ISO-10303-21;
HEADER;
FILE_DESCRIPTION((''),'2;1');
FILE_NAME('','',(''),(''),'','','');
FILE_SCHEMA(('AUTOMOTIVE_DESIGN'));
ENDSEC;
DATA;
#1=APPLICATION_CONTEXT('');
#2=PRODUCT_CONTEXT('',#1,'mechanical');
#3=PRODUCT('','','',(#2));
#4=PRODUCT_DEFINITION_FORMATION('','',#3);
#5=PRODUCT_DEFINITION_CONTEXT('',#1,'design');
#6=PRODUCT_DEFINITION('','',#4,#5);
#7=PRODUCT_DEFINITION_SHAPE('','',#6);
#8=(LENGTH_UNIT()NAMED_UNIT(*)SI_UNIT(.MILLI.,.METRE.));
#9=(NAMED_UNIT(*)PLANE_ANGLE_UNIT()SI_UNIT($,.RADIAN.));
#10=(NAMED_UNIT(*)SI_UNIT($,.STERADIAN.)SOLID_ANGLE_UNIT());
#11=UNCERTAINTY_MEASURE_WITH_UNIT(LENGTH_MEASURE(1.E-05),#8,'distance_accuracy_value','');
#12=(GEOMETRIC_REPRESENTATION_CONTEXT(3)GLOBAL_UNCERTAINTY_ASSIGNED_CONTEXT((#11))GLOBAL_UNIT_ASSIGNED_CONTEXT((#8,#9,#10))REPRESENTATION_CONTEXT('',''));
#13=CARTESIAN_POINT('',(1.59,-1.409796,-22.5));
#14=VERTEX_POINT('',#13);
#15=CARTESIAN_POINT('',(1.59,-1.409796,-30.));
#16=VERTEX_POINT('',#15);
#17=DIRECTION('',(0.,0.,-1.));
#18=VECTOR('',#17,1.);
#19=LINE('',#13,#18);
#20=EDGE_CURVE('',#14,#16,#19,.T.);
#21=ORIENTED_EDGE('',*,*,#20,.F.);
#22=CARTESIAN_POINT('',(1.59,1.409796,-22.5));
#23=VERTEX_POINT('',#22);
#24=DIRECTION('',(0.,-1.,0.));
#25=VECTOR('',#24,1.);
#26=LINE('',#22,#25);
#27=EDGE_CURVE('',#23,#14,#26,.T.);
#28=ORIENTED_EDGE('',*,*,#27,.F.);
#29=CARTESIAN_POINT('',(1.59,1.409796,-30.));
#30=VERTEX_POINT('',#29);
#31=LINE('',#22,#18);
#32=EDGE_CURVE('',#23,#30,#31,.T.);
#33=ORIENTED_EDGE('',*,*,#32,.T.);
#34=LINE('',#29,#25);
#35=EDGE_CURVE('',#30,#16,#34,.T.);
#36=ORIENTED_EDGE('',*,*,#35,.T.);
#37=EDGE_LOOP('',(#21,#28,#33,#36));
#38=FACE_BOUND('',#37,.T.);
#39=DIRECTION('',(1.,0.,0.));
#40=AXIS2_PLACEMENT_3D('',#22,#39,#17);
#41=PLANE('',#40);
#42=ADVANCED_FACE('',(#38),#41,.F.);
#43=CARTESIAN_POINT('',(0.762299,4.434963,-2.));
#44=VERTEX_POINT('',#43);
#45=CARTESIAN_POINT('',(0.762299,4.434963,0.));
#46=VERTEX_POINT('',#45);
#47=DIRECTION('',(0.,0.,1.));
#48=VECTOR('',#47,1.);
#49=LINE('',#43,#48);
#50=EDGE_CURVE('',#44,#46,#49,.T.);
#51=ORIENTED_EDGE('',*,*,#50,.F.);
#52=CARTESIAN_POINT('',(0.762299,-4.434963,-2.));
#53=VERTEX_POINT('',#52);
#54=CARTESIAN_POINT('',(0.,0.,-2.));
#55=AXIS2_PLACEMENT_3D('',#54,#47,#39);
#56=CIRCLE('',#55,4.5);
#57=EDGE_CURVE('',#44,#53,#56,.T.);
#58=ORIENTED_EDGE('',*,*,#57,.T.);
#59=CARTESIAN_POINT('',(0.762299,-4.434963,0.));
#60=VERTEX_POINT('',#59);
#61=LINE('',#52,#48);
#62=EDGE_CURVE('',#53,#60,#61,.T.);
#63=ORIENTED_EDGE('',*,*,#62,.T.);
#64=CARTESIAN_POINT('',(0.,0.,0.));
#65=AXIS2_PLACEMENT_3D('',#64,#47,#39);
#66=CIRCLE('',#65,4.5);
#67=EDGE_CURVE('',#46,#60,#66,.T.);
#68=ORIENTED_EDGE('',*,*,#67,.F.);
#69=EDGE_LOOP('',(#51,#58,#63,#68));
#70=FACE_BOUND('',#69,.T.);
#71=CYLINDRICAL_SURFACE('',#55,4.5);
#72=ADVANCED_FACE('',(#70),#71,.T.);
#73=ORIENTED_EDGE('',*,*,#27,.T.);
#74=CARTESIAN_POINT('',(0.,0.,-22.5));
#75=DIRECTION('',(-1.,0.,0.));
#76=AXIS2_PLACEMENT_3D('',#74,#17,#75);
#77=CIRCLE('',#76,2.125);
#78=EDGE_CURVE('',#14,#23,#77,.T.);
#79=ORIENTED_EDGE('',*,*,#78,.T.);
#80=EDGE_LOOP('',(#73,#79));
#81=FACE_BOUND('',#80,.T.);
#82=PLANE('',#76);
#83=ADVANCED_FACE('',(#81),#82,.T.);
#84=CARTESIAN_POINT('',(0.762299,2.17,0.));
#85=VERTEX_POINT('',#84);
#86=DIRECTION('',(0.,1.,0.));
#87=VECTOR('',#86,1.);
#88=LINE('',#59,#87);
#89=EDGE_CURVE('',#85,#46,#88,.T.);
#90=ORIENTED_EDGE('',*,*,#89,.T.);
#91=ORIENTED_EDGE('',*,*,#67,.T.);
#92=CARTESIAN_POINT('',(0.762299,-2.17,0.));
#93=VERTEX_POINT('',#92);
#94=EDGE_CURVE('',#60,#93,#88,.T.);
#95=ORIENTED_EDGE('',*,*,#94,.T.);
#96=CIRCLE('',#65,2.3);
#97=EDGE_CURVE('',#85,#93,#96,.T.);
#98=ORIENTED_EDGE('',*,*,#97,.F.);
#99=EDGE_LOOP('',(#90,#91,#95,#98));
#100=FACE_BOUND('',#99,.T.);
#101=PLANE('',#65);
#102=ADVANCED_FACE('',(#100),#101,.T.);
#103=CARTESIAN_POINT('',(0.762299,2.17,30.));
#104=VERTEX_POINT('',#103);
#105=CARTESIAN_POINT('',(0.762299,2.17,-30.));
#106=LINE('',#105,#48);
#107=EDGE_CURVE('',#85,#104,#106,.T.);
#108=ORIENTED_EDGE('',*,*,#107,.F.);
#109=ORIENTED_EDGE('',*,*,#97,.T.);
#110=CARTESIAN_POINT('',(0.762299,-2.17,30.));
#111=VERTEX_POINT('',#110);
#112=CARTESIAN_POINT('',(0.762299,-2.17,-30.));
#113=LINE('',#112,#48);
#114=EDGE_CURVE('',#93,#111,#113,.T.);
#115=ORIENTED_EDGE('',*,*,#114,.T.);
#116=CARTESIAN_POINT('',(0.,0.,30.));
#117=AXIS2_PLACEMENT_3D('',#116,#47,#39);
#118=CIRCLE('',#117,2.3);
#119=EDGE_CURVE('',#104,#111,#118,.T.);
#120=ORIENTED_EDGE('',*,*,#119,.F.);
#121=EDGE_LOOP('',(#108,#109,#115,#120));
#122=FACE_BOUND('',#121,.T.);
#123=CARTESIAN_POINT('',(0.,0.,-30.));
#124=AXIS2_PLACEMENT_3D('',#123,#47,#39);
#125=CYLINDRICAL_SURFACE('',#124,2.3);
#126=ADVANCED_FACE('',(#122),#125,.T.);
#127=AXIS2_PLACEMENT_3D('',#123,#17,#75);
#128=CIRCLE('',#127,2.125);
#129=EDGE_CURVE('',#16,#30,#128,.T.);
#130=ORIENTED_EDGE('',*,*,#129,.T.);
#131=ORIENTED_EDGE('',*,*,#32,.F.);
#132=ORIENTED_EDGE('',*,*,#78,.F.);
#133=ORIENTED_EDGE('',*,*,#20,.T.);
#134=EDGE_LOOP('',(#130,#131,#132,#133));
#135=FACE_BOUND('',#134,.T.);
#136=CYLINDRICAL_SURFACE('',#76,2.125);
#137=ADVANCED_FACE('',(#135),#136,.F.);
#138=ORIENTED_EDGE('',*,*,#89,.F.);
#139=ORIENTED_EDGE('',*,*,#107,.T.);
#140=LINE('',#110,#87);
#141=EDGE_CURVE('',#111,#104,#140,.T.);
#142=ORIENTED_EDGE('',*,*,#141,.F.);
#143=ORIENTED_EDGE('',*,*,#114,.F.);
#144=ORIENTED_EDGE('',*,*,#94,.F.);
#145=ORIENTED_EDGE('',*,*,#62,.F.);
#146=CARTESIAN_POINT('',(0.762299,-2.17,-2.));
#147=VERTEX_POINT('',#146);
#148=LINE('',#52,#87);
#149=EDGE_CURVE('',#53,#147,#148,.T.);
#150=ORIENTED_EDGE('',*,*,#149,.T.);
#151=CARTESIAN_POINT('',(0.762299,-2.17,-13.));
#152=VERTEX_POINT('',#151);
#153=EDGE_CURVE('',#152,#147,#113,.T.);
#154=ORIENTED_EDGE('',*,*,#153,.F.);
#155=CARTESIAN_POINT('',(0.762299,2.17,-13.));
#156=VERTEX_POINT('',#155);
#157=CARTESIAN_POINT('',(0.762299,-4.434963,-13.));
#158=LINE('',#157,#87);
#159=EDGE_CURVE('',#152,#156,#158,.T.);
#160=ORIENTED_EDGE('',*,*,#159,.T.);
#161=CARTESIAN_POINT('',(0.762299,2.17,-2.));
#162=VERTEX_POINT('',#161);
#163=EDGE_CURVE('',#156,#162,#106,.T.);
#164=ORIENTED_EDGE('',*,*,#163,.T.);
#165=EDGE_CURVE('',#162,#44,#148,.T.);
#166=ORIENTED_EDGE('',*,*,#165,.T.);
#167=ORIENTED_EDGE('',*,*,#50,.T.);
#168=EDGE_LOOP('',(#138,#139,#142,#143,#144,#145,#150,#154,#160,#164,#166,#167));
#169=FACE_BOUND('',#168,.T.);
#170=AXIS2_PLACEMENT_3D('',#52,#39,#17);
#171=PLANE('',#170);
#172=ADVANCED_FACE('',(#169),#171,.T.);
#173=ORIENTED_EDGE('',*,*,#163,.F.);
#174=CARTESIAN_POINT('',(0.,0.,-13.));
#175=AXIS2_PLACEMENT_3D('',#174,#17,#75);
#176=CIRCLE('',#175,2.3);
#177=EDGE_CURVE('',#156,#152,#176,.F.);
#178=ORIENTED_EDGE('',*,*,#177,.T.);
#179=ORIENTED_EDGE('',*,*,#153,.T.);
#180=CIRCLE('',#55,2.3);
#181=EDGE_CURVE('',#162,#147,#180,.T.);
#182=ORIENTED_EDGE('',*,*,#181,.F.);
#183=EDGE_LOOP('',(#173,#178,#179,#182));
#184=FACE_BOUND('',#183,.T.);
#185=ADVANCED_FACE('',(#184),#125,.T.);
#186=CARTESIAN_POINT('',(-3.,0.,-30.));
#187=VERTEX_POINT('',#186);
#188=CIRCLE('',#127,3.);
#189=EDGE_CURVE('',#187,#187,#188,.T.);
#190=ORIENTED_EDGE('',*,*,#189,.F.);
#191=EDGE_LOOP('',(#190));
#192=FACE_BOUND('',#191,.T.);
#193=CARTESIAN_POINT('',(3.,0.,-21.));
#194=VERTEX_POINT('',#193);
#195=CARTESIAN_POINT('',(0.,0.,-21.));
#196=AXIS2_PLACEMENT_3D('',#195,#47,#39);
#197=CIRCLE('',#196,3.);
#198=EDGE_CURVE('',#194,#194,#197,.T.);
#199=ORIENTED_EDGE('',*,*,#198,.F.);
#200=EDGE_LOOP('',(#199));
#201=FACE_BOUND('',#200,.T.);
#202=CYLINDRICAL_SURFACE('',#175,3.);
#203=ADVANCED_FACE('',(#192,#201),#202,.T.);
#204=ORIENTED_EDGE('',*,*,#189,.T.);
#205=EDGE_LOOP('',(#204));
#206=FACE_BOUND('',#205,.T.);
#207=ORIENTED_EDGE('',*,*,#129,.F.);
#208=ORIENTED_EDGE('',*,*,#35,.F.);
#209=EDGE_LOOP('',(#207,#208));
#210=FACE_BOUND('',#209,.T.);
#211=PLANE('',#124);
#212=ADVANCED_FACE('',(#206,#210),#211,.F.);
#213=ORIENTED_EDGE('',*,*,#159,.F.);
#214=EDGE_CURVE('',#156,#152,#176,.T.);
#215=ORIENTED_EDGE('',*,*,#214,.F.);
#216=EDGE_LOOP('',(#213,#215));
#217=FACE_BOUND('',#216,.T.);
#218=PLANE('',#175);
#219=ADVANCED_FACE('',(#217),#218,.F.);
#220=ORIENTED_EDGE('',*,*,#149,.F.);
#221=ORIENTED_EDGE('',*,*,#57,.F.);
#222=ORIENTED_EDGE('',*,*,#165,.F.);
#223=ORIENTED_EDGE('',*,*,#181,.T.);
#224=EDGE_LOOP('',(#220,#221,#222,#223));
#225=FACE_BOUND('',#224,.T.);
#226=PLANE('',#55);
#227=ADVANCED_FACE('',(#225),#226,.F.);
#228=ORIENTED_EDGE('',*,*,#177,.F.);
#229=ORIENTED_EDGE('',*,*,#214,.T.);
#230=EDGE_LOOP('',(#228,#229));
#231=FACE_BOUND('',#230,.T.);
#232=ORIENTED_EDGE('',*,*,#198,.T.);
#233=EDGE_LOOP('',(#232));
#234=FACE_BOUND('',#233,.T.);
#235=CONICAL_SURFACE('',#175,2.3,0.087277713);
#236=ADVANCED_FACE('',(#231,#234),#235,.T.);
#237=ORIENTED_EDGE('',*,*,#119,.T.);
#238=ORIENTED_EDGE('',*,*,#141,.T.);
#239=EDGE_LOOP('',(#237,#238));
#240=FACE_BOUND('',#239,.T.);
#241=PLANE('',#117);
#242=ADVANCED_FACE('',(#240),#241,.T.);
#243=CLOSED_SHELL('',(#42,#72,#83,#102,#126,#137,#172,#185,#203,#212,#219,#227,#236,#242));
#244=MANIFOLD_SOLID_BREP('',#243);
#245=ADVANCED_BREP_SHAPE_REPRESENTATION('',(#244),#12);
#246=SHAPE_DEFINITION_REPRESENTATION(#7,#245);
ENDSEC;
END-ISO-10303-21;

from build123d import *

# Parameters (mm, degrees)
BOSS_EXTRUDE2_DEPTH      = 2
BOSS_EXTRUDE3_DEPTH      = 30
BOSS_EXTRUDE3_DEPTH_BACK = 30
SKETCH3_R                = 3
BOSS_EXTRUDE4_DEPTH      = 17
CUT_EXTRUDE1_DEPTH       = 7.5


with BuildPart() as part:
    # Sketch2 → Boss-Extrude2 (new body)
    with BuildSketch(Plane.XY):
        with BuildLine():
            Line((0.762299154, -4.434963359), (0.762299154, 4.434963359))
            ThreePointArc((0.762299154, 4.434963359), (-4.5, 0), (0.762299154, -4.434963359))
        make_face()
    extrude(amount=-BOSS_EXTRUDE2_DEPTH)

    # Sketch1 → Boss-Extrude3 (add, two sides)
    with BuildSketch(Plane.XY) as boss_extrude3_sk:
        with BuildLine():
            Line((0.762299154, -2.17), (0.762299154, 2.17))
            ThreePointArc((0.762299154, 2.17), (-2.3, 0), (0.762299154, -2.17))
        make_face()
    extrude(amount=BOSS_EXTRUDE3_DEPTH)
    extrude(boss_extrude3_sk.sketch, amount=-BOSS_EXTRUDE3_DEPTH_BACK)

    # Sketch3 → Boss-Extrude4 (add)
    with BuildSketch(Plane(origin=(0, 0, -30), x_dir=(-1, 0, 0), z_dir=(0, 0, -1))):
        Circle(SKETCH3_R)
    extrude(amount=-BOSS_EXTRUDE4_DEPTH)

    # Sketch4 → Cut-Extrude1 (cut)
    with BuildSketch(Plane(origin=(0, 0, -30), x_dir=(-1, 0, 0), z_dir=(0, 0, -1))):
        with BuildLine():
            Line((-1.59, 1.409796085), (-1.59, -1.409796085))
            ThreePointArc((-1.59, -1.409796085), (2.125, 0), (-1.59, 1.409796085))
        make_face()
    extrude(amount=-CUT_EXTRUDE1_DEPTH, mode=Mode.SUBTRACT)

    # Sketch7 → Cut-Revolve1 (revolve, cut)
    with BuildSketch(Plane(origin=(0, 0, 0), x_dir=(0, 0, -1), z_dir=(1, 0, 0))):
        Polygon((13, 3), (21, 3), (13, 2.3), align=None)
    revolve(axis=Axis((0, 0, 30.362206594), (0, 0, -1)), mode=Mode.SUBTRACT)


solid = part.part
